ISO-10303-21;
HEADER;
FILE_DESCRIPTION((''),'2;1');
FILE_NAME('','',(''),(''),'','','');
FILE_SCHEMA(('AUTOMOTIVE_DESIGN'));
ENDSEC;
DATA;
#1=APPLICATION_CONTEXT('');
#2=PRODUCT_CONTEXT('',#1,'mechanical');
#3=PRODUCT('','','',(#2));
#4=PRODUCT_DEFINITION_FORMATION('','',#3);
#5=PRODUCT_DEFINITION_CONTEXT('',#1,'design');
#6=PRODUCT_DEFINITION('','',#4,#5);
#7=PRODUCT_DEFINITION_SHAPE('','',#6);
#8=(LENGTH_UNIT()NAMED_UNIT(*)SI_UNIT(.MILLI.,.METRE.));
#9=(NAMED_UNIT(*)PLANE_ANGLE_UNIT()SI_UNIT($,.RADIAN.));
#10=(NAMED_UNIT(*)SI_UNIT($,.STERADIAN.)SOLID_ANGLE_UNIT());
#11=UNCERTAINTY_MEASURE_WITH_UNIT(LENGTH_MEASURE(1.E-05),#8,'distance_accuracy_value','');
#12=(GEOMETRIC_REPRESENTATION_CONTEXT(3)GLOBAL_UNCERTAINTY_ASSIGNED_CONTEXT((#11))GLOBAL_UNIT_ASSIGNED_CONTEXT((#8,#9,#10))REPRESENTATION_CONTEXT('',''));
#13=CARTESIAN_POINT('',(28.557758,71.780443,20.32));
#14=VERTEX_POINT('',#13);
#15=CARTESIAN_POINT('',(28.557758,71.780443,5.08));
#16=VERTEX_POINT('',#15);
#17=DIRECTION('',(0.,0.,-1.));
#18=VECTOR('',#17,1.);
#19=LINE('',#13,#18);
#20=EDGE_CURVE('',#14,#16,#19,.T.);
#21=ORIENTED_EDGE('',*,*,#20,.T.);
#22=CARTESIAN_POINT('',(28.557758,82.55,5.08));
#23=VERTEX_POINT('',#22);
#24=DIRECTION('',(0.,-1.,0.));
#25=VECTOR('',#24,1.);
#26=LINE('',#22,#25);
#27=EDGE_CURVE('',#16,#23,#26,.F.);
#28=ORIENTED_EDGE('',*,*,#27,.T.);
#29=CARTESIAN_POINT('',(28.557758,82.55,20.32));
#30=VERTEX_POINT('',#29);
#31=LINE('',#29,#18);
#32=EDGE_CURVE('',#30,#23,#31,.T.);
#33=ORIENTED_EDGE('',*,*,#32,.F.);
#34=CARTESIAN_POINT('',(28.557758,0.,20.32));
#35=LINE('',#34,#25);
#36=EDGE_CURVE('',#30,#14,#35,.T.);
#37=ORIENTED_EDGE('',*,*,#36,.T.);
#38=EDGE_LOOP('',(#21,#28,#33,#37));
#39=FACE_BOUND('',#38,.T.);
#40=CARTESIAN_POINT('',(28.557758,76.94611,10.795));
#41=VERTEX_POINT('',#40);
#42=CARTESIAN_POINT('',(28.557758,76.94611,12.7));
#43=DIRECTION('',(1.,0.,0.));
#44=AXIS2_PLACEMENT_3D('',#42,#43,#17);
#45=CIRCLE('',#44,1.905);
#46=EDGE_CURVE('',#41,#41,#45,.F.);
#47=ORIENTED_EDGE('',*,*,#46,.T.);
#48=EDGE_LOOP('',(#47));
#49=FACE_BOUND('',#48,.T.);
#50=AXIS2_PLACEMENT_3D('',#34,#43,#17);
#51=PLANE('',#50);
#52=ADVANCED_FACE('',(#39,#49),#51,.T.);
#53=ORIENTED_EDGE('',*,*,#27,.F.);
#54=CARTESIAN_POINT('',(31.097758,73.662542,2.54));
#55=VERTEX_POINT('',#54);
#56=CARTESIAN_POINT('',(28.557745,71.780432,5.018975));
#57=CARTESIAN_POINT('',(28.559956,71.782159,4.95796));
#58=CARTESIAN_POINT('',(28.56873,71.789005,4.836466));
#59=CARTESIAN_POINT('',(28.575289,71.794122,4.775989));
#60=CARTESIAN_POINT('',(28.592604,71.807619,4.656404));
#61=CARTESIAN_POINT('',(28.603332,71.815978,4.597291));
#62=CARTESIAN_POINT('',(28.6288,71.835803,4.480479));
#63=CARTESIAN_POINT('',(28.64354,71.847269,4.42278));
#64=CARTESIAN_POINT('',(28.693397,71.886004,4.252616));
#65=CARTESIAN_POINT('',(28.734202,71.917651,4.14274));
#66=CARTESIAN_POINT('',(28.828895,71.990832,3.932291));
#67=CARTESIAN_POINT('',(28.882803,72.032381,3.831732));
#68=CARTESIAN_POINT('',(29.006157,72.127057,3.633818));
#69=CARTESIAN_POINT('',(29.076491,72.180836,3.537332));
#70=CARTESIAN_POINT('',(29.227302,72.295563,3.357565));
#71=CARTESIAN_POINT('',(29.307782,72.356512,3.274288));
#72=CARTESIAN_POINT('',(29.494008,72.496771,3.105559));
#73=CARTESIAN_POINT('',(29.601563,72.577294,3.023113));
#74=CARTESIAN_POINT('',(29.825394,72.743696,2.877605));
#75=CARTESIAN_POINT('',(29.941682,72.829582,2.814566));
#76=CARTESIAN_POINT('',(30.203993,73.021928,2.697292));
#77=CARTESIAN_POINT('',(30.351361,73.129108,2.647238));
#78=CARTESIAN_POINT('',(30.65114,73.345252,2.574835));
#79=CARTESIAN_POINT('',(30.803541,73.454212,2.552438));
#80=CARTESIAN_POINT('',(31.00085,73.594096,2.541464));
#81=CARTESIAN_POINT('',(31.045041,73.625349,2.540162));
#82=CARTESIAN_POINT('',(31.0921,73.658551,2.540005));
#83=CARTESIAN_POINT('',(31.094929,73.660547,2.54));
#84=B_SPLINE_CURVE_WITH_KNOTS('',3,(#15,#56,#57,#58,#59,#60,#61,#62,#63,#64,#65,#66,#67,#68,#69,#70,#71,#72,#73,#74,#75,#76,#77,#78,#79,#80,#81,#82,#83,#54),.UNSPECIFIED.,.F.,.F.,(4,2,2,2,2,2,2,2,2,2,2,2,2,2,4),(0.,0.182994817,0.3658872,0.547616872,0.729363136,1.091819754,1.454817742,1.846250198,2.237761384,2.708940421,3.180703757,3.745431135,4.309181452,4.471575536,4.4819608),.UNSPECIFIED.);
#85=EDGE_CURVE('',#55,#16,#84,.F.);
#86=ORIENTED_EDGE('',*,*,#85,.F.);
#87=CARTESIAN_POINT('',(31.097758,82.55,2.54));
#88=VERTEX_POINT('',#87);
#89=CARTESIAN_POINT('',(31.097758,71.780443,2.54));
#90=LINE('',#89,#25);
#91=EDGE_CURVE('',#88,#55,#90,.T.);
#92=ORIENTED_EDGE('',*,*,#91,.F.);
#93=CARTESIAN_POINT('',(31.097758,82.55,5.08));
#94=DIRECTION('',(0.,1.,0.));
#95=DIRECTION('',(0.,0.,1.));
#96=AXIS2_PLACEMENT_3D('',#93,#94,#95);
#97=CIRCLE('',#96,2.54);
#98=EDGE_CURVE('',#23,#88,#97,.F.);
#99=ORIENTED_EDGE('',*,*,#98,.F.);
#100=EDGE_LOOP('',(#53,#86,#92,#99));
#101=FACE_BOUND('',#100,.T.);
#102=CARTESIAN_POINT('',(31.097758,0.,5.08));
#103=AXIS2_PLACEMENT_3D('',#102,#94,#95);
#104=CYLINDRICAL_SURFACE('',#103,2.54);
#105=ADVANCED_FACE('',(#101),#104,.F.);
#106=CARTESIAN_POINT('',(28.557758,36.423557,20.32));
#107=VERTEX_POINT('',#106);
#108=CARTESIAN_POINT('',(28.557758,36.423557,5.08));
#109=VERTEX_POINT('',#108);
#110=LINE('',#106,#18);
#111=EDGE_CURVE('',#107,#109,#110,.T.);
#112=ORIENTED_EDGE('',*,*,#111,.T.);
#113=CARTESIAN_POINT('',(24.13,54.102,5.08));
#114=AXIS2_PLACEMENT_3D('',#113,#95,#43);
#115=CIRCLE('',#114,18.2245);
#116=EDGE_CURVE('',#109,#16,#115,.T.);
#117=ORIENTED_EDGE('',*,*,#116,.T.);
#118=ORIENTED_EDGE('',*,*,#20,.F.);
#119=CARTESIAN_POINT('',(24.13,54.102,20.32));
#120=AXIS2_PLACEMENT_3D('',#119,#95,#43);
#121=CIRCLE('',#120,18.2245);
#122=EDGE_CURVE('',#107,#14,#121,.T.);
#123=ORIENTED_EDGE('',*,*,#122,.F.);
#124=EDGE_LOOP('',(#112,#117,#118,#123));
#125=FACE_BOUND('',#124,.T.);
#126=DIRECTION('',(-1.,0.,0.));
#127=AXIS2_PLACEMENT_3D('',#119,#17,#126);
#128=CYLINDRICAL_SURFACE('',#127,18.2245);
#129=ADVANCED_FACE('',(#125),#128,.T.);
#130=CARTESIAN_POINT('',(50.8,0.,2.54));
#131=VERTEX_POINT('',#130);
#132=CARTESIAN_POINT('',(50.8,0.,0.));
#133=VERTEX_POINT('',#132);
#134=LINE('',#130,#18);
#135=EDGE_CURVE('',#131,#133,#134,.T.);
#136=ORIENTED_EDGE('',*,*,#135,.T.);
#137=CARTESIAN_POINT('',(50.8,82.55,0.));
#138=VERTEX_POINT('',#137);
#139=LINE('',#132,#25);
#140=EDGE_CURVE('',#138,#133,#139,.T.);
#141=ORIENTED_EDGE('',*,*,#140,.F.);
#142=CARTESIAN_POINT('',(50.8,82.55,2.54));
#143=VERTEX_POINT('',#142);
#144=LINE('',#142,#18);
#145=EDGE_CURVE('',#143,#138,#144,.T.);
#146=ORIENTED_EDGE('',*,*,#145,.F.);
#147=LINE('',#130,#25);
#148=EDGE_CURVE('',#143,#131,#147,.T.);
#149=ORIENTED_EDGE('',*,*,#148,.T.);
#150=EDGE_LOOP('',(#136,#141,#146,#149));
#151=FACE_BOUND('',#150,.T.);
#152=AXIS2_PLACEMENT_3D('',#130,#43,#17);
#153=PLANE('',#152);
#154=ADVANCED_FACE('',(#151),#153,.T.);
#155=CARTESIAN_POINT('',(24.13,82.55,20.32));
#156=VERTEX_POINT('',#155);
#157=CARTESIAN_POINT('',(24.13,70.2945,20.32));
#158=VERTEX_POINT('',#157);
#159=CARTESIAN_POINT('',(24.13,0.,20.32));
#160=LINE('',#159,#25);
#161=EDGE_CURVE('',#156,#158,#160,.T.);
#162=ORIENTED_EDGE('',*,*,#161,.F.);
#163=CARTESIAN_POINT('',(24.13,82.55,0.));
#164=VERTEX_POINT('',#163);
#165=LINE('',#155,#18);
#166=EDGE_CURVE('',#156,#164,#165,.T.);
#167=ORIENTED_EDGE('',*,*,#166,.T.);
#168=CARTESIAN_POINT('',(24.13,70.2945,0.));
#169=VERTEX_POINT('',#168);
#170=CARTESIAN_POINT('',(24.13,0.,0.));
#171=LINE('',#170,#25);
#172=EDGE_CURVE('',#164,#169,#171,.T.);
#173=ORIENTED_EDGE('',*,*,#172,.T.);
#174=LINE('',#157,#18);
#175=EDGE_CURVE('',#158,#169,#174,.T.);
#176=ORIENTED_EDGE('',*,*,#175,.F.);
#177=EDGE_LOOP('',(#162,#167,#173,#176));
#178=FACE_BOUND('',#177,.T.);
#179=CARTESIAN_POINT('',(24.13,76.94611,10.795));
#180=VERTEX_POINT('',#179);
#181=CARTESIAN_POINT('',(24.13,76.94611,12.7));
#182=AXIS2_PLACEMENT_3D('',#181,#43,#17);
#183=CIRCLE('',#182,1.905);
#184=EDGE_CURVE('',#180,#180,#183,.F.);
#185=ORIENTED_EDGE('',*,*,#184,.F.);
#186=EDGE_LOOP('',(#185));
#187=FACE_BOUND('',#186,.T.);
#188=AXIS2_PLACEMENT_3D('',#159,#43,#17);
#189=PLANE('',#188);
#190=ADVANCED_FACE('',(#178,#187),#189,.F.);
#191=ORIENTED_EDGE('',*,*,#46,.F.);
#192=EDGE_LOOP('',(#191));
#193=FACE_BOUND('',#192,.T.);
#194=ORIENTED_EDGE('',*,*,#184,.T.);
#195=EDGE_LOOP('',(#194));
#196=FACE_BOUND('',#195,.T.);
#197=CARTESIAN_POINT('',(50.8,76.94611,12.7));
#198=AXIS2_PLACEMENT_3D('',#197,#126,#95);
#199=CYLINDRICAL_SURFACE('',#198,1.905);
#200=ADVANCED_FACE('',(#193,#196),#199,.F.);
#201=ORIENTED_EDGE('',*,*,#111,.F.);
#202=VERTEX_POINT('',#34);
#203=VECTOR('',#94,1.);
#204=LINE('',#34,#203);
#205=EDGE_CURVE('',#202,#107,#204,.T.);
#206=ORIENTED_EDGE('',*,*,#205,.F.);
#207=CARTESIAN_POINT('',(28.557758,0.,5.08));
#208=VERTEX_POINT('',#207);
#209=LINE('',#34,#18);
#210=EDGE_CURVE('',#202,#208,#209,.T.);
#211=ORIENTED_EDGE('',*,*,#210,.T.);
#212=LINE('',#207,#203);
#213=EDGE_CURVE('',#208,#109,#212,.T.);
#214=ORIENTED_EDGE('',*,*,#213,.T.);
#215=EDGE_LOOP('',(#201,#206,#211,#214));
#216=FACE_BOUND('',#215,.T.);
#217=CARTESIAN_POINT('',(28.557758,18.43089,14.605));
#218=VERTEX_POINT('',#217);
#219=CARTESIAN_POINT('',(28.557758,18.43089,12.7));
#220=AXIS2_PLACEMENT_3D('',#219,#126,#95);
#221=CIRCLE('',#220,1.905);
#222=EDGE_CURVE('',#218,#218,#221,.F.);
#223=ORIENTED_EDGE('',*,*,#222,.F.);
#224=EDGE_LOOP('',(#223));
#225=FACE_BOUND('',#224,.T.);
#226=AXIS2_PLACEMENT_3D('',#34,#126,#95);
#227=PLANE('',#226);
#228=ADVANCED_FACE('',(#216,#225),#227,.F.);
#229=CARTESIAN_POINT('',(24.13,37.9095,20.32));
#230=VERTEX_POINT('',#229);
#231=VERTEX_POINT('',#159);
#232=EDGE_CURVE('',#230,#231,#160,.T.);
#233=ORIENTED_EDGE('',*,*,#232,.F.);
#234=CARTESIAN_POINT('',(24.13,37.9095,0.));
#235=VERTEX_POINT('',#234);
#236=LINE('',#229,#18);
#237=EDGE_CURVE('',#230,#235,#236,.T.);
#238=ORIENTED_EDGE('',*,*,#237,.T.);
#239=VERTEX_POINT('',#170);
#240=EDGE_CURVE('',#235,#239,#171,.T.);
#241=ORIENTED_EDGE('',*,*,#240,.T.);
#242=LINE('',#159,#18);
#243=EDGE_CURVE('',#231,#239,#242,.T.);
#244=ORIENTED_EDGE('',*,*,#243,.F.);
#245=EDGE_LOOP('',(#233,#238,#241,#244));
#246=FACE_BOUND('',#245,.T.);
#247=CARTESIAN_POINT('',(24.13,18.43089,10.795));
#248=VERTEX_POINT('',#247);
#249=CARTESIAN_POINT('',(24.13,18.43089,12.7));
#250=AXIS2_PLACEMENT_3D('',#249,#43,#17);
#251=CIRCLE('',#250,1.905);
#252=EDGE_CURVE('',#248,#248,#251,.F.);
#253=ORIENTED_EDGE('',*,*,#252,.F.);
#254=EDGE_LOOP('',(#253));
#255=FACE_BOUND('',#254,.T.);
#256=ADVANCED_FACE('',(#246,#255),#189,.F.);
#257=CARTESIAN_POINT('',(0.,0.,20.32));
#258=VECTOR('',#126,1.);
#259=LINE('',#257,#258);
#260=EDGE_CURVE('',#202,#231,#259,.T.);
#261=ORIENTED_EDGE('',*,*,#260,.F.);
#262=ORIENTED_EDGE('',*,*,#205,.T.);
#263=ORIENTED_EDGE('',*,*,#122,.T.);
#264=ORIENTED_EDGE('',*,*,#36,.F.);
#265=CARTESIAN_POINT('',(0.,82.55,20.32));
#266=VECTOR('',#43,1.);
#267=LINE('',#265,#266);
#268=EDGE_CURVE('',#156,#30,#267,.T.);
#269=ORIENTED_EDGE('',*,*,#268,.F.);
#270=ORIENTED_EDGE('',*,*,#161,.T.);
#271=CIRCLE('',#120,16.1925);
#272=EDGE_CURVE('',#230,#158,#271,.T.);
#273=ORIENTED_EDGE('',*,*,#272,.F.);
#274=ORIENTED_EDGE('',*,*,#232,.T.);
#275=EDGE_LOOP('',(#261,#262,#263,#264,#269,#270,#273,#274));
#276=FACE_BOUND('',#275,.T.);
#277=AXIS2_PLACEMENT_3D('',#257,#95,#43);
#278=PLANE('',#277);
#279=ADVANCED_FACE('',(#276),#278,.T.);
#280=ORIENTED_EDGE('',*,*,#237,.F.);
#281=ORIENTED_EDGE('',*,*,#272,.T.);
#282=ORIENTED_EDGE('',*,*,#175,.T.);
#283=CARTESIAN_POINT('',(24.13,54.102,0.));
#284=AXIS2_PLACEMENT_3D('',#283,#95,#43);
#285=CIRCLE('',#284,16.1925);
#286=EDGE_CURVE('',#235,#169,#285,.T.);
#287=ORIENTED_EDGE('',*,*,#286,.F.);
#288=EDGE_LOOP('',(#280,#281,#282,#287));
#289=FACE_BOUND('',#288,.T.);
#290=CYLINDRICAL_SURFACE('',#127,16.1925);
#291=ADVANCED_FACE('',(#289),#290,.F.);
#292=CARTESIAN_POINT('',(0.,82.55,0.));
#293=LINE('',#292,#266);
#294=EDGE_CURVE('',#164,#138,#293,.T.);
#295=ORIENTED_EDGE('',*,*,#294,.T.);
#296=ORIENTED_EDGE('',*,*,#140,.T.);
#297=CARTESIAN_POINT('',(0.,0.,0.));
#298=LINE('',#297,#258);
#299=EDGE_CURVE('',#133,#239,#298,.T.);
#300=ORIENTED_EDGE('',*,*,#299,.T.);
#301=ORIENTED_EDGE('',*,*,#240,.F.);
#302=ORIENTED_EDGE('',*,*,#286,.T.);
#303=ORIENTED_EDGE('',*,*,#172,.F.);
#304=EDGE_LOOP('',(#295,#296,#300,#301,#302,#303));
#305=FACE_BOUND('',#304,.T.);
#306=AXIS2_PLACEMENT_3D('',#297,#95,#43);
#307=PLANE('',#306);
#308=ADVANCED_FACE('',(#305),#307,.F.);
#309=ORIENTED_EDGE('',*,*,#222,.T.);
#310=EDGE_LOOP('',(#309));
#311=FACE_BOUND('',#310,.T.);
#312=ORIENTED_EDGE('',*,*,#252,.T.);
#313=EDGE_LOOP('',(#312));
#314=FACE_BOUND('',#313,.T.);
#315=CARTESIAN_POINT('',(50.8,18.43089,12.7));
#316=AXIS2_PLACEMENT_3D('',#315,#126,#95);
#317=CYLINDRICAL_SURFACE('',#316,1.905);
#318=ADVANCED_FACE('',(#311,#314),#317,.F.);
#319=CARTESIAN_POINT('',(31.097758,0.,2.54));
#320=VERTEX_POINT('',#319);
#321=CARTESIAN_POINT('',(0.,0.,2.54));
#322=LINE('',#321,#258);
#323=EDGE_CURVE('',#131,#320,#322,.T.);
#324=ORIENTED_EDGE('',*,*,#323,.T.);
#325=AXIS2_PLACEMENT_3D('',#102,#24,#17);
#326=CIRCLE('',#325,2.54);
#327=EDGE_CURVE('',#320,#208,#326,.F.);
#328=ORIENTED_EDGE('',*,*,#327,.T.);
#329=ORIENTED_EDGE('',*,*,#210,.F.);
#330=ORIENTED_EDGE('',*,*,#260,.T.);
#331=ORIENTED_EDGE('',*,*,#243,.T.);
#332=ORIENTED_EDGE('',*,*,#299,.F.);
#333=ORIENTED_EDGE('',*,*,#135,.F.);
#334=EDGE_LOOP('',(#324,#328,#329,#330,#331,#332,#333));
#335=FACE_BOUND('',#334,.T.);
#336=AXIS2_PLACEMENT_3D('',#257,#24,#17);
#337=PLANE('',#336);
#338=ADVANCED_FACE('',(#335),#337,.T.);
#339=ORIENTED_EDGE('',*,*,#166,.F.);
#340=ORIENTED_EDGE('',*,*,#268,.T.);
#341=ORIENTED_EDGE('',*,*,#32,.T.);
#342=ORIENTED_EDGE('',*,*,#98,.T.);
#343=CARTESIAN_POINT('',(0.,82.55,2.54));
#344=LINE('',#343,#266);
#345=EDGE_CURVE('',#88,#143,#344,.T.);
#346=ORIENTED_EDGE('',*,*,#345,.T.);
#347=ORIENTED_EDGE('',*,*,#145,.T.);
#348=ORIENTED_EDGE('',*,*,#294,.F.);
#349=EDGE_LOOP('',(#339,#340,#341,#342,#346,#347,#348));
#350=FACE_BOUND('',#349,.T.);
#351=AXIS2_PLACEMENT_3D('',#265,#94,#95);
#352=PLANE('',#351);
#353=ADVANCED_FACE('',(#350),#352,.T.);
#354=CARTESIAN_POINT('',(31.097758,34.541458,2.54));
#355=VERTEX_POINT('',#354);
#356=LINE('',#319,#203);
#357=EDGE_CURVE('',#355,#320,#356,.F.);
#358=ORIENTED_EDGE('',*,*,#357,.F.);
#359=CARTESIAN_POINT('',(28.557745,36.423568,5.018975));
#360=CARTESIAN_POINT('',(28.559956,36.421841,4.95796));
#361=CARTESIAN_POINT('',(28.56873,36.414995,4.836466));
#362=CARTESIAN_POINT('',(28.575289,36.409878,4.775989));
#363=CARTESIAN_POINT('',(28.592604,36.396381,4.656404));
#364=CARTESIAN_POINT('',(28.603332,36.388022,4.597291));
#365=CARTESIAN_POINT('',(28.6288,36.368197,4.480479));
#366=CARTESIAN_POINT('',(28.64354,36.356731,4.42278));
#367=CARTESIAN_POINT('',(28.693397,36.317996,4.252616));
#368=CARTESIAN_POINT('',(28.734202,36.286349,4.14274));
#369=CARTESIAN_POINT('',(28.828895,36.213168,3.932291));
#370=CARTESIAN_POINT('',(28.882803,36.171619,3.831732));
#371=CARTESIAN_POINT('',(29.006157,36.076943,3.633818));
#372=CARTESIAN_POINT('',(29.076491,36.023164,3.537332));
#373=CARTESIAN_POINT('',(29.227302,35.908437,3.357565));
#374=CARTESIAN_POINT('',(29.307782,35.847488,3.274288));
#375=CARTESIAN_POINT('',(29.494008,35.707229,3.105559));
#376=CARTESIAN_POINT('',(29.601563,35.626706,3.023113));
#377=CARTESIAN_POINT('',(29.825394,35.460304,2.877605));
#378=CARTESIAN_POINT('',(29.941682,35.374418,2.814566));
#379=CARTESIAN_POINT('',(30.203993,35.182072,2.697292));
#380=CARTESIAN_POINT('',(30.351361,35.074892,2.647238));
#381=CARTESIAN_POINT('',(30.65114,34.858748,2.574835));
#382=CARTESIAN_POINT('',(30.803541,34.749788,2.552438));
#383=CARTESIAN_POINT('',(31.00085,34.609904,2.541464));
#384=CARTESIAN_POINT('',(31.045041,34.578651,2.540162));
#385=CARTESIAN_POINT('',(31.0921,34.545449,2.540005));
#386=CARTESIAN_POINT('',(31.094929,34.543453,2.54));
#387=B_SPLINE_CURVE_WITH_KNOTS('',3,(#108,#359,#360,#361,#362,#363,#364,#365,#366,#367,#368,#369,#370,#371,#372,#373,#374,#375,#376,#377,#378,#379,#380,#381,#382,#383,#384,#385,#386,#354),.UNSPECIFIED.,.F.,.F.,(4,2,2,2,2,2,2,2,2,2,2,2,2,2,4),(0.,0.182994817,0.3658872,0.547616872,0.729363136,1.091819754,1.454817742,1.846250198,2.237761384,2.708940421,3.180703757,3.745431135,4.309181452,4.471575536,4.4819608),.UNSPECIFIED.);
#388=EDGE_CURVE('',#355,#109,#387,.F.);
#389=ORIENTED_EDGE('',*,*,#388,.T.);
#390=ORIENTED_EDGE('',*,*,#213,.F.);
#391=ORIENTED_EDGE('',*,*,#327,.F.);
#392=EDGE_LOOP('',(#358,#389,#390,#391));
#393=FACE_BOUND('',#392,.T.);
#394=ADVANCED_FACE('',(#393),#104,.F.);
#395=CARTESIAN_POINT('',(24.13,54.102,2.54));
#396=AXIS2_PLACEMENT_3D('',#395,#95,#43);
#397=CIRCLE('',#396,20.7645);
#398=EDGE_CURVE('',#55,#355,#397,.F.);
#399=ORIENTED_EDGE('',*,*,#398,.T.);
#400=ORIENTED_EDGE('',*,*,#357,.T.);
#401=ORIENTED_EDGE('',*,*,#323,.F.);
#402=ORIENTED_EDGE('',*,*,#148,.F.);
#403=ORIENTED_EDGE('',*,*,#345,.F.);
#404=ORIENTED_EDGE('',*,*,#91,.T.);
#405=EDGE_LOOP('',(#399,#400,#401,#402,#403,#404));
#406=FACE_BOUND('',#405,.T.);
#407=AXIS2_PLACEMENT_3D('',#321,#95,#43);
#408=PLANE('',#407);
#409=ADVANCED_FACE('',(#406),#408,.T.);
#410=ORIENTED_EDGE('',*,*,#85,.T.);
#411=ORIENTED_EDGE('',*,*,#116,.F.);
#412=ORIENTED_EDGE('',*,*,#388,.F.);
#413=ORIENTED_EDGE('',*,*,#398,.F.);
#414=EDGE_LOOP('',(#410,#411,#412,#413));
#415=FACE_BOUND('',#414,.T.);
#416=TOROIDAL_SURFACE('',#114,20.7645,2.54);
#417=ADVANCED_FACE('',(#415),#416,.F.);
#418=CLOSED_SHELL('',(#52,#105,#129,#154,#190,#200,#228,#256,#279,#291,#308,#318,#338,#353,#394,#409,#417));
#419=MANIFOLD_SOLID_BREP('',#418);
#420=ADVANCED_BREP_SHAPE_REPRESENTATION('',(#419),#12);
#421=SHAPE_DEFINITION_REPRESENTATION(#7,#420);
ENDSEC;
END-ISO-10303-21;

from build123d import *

# Parameters (mm, degrees)
BOSS_EXTRUDE3_DEPTH     = 20.32
BOSS_EXTRUDE4_DEPTH     = 2.54
FILLET2_R               = 2.54
SKETCH3_R               = 1.905
CUT_EXTRUDE2_DEPTH      = 51.8
CUT_EXTRUDE2_DEPTH_BACK = 1


with BuildPart() as part:
    # Sketch2 → Boss-Extrude3 (new body)
    with BuildSketch(Plane.XY):
        with BuildLine():
            Line((24.13, 37.9095), (24.13, 0))
            Line((24.13, 0), (28.557757617, 0))
            Line((28.557757617, 0), (28.557757617, 36.423556552))
            ThreePointArc((28.557757617, 36.423556552), (42.3545, 54.102), (28.557757617, 71.780443448))
            Line((28.557757617, 71.780443448), (28.557757617, 82.55))
            Line((28.557757617, 82.55), (24.13, 82.55))
            Line((24.13, 82.55), (24.13, 70.2945))
            ThreePointArc((24.13, 70.2945), (35.579826554, 65.551826554), (40.3225, 54.102))
            ThreePointArc((40.3225, 54.102), (35.579826554, 42.652173446), (24.13, 37.9095))
        make_face()
    extrude(amount=BOSS_EXTRUDE3_DEPTH)

    # Sketch2<5> → Boss-Extrude4 (add)
    with BuildSketch(Plane.XY):
        with BuildLine():
            Line((28.557757617, 36.423556552), (28.557757617, 0))
            Line((28.557757617, 0), (50.8, 0))
            Line((50.8, 0), (50.8, 82.55))
            Line((50.8, 82.55), (28.557757617, 82.55))
            Line((28.557757617, 82.55), (28.557757617, 71.780443448))
            ThreePointArc((28.557757617, 71.780443448), (42.3545, 54.102), (28.557757617, 36.423556552))
        make_face()
    extrude(amount=BOSS_EXTRUDE4_DEPTH)

    # Fillet2
    fillet2_edges = [part.edges().sort_by_distance(p)[0] for p in [
        (42.3545, 54.102, 2.54),
        (28.557757617, 18.211778276, 2.54),
        (28.557757617, 77.165221724, 2.54),
    ]]
    fillet(fillet2_edges, radius=FILLET2_R)

    # Sketch3 → Cut-Extrude2 (cut, two sides)
    with BuildSketch(Plane(origin=(0, 0, 0), x_dir=(0, 0, -1), z_dir=(1, 0, 0))) as cut_extrude2_sk:
        with Locations((-12.7, 18.430889618)):
            Circle(SKETCH3_R)
        with Locations((-12.7, 76.946110382)):
            Circle(SKETCH3_R)
    extrude(amount=CUT_EXTRUDE2_DEPTH, mode=Mode.SUBTRACT)
    extrude(cut_extrude2_sk.sketch, amount=-CUT_EXTRUDE2_DEPTH_BACK, mode=Mode.SUBTRACT)


solid = part.part
